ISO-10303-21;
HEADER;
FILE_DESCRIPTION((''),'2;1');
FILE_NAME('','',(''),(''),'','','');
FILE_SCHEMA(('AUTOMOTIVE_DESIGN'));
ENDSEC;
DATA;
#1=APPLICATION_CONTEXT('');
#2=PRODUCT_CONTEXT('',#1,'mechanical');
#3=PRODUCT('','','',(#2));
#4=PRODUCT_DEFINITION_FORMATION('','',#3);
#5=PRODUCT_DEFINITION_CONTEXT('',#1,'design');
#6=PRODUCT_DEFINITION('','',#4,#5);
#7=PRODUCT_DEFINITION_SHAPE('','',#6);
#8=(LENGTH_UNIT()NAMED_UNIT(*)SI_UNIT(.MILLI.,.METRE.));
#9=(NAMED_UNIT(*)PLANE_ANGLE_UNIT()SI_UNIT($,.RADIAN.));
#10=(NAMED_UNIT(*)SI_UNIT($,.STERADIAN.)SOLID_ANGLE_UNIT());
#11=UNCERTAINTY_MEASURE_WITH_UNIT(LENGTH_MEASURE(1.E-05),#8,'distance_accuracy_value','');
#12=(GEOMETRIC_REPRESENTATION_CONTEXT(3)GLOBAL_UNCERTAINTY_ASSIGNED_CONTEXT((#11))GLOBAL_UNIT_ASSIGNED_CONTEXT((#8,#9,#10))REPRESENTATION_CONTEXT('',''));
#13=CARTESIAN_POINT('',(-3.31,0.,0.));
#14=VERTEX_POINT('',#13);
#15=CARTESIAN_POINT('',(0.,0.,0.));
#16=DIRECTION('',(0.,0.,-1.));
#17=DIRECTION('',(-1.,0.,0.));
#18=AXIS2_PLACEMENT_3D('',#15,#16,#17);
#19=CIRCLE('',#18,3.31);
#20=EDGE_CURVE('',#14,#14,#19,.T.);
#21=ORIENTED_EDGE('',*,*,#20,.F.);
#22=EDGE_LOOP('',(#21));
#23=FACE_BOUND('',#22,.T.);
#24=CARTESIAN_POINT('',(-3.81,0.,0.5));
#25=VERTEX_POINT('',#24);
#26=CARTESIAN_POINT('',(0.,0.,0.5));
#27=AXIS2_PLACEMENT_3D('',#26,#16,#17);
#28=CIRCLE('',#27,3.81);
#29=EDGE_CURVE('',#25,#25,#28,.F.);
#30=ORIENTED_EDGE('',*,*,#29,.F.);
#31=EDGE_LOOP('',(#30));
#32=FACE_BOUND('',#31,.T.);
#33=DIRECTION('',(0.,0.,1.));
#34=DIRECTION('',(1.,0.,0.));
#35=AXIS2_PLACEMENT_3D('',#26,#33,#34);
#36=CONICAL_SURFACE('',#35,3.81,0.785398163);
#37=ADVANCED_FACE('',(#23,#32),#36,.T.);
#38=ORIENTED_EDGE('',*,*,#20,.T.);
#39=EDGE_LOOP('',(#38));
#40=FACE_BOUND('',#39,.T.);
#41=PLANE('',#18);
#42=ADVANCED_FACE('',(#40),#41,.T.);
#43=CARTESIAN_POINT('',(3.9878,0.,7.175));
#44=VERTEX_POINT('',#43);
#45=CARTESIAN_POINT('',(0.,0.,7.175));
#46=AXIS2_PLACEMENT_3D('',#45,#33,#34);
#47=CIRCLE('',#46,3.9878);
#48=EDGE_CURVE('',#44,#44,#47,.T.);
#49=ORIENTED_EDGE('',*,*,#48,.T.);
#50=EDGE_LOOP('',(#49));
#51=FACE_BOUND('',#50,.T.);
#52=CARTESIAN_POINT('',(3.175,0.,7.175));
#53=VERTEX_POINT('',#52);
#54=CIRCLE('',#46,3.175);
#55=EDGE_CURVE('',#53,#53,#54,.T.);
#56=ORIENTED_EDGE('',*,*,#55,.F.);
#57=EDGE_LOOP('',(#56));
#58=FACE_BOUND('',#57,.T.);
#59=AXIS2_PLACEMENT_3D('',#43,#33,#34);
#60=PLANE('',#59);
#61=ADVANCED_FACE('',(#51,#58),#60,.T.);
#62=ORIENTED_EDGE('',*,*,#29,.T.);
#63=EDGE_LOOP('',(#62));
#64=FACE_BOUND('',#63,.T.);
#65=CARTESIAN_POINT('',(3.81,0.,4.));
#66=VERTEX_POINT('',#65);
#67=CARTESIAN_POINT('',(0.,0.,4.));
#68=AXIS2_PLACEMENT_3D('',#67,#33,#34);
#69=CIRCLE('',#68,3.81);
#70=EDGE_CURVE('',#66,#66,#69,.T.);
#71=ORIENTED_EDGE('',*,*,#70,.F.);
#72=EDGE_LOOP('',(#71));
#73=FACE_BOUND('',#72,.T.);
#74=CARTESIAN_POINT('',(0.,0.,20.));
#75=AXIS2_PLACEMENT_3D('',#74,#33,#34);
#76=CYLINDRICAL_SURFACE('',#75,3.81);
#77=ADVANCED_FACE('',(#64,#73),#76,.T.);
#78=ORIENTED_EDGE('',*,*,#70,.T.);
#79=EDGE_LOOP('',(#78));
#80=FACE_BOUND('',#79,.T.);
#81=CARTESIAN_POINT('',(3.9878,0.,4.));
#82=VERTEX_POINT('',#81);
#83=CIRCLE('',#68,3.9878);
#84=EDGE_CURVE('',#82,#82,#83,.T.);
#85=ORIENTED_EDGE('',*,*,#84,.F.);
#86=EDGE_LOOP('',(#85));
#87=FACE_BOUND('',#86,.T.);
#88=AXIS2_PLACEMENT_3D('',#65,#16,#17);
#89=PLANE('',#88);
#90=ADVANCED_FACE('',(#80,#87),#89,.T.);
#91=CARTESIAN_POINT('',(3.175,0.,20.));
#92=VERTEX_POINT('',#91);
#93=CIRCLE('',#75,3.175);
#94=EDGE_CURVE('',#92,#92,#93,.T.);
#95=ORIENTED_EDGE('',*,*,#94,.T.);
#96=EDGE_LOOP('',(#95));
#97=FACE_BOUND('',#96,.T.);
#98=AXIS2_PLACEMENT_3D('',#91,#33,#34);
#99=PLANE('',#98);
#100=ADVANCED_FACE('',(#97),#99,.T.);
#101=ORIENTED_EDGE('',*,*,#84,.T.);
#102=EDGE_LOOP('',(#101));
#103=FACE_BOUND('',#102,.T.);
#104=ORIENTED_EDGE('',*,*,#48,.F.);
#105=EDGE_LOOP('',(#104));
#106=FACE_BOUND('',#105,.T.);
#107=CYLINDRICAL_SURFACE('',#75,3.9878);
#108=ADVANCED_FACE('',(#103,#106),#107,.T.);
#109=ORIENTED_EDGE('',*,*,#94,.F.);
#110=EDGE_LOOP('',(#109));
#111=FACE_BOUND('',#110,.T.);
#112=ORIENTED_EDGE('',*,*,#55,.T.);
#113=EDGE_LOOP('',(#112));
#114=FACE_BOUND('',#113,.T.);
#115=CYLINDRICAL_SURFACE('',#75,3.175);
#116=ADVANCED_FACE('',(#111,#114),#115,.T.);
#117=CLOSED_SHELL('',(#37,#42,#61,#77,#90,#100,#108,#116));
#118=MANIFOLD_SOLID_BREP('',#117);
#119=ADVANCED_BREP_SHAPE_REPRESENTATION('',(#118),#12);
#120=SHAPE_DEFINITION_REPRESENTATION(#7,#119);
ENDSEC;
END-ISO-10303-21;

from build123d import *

# Parameters (mm, degrees)
CHAMFER1_SIZE = 0.5


with BuildPart() as part:
    # Sketch1 → Revolve1 (revolve)
    with BuildSketch(Plane(origin=(0, 0, 0), x_dir=(1, 0, 0), z_dir=(0, 1, 0))):
        Polygon((3.175, -20), (0, -20), (0, 0), (3.81, 0), (3.81, -4), (3.9878, -4), (3.9878, -7.175), (3.175, -7.175), align=None)
    revolve(axis=Axis((0, 0, 20), (0, 0, -1)))

    # Chamfer1
    chamfer1_edges = [part.edges().sort_by_distance(p)[0] for p in [
        (-3.81, 0, 0),
    ]]
    chamfer(chamfer1_edges, length=CHAMFER1_SIZE)


solid = part.part
